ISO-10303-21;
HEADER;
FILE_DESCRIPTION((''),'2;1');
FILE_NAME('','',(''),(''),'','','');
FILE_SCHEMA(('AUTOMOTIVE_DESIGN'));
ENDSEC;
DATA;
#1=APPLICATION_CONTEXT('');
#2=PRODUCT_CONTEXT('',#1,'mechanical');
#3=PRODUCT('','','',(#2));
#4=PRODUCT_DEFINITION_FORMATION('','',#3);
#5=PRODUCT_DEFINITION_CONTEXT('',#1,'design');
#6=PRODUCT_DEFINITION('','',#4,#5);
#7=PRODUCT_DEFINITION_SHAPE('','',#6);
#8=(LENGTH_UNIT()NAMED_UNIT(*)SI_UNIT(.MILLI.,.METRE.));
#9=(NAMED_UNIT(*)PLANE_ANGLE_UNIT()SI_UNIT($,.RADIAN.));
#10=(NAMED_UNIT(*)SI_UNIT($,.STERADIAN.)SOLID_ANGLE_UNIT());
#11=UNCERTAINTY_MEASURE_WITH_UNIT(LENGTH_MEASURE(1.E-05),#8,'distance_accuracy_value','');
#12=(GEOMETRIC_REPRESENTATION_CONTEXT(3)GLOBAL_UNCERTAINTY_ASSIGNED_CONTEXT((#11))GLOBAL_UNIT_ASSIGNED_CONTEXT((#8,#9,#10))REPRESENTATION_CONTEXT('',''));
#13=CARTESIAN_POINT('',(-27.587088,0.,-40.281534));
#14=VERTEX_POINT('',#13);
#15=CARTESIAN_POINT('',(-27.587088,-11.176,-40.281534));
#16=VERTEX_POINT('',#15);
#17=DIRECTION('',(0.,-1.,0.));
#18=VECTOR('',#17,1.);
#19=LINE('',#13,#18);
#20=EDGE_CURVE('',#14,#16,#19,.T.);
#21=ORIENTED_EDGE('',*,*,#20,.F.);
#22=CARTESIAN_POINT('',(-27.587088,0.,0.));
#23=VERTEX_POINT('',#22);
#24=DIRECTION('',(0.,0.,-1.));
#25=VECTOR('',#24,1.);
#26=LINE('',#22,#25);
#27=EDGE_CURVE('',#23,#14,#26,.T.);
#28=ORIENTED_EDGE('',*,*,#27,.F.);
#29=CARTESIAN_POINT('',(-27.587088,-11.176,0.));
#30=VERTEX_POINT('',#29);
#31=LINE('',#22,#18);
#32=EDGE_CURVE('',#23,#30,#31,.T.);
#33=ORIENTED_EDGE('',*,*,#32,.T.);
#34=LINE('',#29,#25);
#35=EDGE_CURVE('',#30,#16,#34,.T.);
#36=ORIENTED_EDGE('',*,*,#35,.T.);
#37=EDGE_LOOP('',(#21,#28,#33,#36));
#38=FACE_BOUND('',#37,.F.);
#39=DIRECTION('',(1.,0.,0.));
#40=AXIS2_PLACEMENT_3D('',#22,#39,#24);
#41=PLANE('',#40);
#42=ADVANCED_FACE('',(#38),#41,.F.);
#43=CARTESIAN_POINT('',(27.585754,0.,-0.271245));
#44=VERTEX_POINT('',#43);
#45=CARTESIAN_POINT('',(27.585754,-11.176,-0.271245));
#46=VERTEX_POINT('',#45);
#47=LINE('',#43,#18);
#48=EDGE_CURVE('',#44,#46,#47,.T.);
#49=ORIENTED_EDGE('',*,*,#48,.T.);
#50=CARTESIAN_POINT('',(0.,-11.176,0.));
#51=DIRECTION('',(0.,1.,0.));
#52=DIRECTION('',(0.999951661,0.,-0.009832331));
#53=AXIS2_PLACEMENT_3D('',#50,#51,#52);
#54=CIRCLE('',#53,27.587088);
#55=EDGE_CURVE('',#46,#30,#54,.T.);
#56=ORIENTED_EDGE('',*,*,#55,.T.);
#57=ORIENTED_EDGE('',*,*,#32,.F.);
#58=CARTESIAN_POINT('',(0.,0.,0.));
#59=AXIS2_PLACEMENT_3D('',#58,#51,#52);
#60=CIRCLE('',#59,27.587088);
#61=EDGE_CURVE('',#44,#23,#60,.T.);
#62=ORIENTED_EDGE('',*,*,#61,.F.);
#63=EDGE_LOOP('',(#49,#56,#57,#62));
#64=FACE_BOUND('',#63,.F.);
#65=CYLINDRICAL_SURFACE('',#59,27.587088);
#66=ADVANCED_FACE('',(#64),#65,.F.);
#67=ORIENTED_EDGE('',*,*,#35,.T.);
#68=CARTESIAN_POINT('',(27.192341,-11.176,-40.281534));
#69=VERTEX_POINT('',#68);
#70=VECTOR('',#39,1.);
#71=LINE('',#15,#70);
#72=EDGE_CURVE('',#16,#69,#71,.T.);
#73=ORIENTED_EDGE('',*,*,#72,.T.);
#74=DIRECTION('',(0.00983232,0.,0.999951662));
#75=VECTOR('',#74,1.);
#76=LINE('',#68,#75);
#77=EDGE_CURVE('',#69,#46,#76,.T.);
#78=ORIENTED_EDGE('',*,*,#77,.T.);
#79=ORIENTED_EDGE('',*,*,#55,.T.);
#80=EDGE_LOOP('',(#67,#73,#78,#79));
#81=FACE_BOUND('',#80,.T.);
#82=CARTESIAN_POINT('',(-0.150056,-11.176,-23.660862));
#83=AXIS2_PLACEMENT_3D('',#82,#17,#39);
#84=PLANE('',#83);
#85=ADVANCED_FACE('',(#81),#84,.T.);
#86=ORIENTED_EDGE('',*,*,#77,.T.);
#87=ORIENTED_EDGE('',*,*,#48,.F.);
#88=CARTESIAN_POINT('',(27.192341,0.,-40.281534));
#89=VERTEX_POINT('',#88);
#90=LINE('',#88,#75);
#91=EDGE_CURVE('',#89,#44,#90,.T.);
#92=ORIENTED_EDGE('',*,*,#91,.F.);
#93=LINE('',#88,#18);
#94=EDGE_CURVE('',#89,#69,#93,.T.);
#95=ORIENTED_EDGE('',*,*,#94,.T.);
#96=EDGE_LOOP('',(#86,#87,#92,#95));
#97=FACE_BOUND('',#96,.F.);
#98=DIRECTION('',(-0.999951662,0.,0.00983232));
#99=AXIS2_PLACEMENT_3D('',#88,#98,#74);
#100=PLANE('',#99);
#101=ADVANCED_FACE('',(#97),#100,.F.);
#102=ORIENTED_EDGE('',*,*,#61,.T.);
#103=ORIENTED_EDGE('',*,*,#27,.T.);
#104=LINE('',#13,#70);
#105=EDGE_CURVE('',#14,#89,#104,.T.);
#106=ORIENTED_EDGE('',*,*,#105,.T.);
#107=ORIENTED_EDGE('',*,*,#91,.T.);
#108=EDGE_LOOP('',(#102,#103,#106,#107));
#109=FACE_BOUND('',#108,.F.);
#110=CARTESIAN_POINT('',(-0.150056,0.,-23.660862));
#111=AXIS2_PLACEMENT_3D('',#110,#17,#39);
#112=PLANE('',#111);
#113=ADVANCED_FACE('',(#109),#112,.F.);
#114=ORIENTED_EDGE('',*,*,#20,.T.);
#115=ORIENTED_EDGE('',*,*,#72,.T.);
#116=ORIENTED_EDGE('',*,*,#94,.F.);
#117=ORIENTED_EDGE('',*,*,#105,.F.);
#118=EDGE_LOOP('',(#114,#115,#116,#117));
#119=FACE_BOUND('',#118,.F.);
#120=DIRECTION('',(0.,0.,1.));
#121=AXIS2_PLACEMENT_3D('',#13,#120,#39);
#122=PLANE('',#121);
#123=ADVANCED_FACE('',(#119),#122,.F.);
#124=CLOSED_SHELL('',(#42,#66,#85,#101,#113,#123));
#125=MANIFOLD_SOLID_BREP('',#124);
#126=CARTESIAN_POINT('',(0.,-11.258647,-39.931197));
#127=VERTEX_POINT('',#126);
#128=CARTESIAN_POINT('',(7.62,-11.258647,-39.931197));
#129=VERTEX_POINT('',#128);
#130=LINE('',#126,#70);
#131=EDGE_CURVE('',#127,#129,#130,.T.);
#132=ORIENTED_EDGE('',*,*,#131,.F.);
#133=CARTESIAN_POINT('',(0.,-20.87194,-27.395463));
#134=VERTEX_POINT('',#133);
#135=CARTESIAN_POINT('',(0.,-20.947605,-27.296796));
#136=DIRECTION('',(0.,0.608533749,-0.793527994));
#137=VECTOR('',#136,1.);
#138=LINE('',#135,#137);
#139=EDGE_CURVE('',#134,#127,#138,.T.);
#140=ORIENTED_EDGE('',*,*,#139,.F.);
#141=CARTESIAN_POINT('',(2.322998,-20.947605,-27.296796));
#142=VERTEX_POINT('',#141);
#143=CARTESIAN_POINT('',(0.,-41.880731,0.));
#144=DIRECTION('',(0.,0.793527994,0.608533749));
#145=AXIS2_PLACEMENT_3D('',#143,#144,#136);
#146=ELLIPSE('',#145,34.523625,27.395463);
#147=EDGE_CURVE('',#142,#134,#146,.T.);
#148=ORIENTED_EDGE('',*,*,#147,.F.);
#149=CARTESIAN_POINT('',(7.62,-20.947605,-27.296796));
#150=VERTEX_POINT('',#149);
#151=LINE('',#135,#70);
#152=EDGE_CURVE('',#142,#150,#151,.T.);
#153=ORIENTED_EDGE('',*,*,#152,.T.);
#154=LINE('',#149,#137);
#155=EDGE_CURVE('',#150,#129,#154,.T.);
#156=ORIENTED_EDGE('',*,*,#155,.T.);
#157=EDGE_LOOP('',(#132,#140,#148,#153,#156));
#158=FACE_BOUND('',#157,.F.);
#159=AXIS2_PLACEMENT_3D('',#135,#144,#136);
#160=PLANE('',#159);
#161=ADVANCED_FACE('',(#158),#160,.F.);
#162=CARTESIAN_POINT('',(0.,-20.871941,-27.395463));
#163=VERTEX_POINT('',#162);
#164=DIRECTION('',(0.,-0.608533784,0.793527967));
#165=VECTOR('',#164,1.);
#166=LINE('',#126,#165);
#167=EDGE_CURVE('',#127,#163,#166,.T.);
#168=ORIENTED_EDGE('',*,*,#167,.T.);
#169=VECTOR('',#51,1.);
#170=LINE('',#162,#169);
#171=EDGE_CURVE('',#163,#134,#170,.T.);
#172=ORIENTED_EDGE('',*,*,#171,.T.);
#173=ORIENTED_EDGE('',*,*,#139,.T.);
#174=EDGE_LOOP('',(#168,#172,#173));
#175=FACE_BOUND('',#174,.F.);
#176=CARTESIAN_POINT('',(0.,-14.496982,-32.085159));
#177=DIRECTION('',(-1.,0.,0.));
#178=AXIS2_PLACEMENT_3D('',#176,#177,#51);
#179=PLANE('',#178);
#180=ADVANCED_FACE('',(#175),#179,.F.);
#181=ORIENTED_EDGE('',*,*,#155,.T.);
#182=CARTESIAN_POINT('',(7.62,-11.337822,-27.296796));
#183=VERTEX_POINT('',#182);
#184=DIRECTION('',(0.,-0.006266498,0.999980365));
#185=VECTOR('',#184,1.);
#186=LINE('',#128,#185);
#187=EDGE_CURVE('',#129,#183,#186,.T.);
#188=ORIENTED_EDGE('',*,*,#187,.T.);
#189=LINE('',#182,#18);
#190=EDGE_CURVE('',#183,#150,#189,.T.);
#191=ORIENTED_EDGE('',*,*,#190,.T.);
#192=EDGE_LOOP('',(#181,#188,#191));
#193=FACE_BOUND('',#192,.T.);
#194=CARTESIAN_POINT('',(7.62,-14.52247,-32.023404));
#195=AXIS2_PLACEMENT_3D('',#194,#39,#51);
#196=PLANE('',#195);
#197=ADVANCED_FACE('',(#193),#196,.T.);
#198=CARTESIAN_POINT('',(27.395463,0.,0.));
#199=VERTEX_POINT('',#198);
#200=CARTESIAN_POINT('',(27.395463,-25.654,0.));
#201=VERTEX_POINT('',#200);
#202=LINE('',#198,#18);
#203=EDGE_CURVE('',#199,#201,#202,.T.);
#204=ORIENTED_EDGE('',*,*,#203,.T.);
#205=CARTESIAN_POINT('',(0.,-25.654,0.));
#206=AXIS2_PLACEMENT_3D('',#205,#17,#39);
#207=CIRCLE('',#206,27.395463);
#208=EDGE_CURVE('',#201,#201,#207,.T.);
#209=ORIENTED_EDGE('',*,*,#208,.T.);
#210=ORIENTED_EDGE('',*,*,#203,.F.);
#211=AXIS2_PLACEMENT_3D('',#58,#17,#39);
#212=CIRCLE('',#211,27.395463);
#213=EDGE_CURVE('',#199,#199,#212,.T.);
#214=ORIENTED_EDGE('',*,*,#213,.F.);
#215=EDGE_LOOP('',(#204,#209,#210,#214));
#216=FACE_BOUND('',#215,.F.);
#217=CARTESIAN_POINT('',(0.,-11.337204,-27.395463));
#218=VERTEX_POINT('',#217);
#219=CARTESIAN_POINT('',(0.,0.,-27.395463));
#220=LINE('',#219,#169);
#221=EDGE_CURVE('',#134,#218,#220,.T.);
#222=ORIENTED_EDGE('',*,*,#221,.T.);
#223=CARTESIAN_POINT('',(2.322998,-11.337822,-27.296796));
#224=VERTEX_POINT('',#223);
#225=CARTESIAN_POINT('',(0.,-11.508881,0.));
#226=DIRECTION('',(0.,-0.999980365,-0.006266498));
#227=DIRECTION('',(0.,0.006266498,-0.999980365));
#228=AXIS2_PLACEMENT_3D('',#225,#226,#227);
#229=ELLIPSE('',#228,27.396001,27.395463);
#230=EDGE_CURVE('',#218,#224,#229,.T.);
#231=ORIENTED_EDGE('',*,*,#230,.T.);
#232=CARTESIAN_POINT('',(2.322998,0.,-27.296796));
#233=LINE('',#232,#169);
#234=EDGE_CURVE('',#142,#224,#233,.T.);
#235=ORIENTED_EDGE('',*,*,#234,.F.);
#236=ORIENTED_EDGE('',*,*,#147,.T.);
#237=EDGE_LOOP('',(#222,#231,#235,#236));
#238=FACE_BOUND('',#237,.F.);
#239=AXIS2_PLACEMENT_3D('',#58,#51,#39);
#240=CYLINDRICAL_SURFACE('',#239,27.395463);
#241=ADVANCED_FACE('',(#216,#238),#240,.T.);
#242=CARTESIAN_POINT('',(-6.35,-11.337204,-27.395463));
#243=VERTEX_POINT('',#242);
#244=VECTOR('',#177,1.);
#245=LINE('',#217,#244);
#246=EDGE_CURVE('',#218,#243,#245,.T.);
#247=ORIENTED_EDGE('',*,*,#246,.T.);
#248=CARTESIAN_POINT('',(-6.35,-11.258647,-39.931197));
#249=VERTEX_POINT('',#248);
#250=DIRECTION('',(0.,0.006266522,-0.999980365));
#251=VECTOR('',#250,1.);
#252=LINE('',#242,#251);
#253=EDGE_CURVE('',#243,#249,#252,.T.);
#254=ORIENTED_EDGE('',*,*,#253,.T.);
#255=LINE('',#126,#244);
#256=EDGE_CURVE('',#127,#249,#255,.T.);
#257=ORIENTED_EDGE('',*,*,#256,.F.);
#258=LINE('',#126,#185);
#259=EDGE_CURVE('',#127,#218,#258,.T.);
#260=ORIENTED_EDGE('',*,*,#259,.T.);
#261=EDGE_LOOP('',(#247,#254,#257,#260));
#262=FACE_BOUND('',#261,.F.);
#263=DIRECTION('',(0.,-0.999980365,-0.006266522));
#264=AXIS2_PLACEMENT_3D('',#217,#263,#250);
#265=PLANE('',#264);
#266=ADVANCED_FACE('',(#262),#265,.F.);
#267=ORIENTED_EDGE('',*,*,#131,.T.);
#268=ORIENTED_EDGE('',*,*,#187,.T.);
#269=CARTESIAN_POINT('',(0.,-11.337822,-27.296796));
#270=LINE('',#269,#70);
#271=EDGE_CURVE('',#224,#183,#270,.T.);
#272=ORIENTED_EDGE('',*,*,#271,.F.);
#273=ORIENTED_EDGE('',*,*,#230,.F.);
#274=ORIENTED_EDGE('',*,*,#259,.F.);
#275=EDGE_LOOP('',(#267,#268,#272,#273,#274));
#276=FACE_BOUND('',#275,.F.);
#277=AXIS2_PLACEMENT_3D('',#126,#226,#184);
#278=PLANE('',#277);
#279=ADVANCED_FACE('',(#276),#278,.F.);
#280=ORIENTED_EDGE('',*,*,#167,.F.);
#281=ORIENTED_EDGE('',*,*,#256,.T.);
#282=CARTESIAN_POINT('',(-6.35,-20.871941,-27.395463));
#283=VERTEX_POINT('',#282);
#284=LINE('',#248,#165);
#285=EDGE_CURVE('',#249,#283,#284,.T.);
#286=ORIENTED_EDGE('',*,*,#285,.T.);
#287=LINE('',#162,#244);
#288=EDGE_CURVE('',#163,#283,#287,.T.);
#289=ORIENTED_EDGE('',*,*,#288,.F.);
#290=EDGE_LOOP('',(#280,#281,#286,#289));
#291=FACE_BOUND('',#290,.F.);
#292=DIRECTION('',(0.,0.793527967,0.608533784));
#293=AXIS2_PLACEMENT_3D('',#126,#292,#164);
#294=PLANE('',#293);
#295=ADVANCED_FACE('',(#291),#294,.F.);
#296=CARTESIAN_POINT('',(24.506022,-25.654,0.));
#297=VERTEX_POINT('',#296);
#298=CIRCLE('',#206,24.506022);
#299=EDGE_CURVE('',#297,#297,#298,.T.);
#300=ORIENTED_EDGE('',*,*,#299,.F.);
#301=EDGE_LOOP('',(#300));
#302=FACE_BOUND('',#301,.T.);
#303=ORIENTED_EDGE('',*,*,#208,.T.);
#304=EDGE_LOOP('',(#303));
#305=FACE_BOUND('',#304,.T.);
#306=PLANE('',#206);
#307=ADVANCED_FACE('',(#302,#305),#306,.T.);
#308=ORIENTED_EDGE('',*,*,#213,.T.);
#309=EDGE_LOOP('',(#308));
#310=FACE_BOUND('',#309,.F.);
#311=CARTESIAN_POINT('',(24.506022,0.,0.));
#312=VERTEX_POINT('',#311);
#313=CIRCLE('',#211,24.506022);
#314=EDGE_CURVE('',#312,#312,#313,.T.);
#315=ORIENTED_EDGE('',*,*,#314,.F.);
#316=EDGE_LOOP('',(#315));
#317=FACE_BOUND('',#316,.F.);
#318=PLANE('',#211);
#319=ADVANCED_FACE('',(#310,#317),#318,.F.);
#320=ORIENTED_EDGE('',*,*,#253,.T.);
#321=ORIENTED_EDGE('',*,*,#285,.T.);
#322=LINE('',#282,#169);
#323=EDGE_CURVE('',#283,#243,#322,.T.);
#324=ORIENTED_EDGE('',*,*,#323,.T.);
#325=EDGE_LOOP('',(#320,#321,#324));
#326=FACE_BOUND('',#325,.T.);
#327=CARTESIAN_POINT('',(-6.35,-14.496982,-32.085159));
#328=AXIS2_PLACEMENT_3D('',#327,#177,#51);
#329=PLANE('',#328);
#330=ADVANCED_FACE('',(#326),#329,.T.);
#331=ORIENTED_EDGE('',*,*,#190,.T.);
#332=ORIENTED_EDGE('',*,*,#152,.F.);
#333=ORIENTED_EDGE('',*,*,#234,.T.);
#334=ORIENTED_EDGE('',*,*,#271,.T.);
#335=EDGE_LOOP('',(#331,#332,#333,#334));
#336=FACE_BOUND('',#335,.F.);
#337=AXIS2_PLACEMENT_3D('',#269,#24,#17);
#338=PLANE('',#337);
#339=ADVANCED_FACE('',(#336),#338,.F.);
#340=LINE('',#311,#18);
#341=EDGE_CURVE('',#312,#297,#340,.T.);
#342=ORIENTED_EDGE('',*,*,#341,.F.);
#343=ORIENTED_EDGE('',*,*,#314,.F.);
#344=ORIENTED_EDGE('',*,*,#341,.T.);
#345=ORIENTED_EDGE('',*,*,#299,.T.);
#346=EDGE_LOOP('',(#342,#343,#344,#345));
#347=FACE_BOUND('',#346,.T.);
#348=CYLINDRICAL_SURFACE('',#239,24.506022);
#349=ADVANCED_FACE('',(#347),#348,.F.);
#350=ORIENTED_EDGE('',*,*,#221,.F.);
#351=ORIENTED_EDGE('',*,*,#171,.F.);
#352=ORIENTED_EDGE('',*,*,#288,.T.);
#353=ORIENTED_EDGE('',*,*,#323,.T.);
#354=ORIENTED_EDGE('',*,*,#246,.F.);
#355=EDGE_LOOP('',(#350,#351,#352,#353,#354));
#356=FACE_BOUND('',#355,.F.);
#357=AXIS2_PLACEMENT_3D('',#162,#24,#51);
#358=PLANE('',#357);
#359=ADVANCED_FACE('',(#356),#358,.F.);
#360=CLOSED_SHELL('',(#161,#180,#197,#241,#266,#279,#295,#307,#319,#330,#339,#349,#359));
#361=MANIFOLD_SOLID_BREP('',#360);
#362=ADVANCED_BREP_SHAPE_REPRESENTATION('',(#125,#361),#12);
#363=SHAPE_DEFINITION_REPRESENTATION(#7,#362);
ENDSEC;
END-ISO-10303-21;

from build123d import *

# Parameters (mm, degrees)
F1_DEPTH = 11.176
F2_R     = 27.395463
F2_R_2   = 24.506022
F3_DEPTH = 25.654
F5_DEPTH = 7.62
F6_DEPTH = 6.35


with BuildPart() as f1:
    # F0 (on Front) → F1 (new body)
    with BuildSketch(Plane.XZ):
        with BuildLine():
            ThreePointArc((27.585754, -0.271245), (-0.135624, -27.586754), (-27.587088, 0))
            Line((-27.587088, 0), (-27.587088, -40.281534))
            Line((-27.587088, -40.281534), (27.192341, -40.281534))
            Line((27.192341, -40.281534), (27.585754, -0.271245))
        make_face()
    extrude(amount=F1_DEPTH)


with BuildPart() as f3:
    # F2 (on Front) → F3 (new body)
    with BuildSketch(Plane.XZ):
        Circle(F2_R)
        Circle(F2_R_2, mode=Mode.SUBTRACT)
    extrude(amount=F3_DEPTH)

    # F4 (on Right) → F5 (join)
    with BuildSketch(Plane.YZ):
        Polygon((-11.337822, -27.296796), (-20.947605, -27.296796), (-11.258647, -39.931197), align=None)
    extrude(amount=F5_DEPTH)

    # F5_face (on face) → F6 (join)
    with BuildSketch(Plane(origin=(0, -14.489264, -31.574041), x_dir=(0, 1, 0), z_dir=(-1, 0, 0))):
        Polygon((3.15206, -4.178578), (3.230617, 8.357156), (-6.382677, -4.178578), align=None)
    extrude(amount=F6_DEPTH)


solid = Compound([f1.part, f3.part])
